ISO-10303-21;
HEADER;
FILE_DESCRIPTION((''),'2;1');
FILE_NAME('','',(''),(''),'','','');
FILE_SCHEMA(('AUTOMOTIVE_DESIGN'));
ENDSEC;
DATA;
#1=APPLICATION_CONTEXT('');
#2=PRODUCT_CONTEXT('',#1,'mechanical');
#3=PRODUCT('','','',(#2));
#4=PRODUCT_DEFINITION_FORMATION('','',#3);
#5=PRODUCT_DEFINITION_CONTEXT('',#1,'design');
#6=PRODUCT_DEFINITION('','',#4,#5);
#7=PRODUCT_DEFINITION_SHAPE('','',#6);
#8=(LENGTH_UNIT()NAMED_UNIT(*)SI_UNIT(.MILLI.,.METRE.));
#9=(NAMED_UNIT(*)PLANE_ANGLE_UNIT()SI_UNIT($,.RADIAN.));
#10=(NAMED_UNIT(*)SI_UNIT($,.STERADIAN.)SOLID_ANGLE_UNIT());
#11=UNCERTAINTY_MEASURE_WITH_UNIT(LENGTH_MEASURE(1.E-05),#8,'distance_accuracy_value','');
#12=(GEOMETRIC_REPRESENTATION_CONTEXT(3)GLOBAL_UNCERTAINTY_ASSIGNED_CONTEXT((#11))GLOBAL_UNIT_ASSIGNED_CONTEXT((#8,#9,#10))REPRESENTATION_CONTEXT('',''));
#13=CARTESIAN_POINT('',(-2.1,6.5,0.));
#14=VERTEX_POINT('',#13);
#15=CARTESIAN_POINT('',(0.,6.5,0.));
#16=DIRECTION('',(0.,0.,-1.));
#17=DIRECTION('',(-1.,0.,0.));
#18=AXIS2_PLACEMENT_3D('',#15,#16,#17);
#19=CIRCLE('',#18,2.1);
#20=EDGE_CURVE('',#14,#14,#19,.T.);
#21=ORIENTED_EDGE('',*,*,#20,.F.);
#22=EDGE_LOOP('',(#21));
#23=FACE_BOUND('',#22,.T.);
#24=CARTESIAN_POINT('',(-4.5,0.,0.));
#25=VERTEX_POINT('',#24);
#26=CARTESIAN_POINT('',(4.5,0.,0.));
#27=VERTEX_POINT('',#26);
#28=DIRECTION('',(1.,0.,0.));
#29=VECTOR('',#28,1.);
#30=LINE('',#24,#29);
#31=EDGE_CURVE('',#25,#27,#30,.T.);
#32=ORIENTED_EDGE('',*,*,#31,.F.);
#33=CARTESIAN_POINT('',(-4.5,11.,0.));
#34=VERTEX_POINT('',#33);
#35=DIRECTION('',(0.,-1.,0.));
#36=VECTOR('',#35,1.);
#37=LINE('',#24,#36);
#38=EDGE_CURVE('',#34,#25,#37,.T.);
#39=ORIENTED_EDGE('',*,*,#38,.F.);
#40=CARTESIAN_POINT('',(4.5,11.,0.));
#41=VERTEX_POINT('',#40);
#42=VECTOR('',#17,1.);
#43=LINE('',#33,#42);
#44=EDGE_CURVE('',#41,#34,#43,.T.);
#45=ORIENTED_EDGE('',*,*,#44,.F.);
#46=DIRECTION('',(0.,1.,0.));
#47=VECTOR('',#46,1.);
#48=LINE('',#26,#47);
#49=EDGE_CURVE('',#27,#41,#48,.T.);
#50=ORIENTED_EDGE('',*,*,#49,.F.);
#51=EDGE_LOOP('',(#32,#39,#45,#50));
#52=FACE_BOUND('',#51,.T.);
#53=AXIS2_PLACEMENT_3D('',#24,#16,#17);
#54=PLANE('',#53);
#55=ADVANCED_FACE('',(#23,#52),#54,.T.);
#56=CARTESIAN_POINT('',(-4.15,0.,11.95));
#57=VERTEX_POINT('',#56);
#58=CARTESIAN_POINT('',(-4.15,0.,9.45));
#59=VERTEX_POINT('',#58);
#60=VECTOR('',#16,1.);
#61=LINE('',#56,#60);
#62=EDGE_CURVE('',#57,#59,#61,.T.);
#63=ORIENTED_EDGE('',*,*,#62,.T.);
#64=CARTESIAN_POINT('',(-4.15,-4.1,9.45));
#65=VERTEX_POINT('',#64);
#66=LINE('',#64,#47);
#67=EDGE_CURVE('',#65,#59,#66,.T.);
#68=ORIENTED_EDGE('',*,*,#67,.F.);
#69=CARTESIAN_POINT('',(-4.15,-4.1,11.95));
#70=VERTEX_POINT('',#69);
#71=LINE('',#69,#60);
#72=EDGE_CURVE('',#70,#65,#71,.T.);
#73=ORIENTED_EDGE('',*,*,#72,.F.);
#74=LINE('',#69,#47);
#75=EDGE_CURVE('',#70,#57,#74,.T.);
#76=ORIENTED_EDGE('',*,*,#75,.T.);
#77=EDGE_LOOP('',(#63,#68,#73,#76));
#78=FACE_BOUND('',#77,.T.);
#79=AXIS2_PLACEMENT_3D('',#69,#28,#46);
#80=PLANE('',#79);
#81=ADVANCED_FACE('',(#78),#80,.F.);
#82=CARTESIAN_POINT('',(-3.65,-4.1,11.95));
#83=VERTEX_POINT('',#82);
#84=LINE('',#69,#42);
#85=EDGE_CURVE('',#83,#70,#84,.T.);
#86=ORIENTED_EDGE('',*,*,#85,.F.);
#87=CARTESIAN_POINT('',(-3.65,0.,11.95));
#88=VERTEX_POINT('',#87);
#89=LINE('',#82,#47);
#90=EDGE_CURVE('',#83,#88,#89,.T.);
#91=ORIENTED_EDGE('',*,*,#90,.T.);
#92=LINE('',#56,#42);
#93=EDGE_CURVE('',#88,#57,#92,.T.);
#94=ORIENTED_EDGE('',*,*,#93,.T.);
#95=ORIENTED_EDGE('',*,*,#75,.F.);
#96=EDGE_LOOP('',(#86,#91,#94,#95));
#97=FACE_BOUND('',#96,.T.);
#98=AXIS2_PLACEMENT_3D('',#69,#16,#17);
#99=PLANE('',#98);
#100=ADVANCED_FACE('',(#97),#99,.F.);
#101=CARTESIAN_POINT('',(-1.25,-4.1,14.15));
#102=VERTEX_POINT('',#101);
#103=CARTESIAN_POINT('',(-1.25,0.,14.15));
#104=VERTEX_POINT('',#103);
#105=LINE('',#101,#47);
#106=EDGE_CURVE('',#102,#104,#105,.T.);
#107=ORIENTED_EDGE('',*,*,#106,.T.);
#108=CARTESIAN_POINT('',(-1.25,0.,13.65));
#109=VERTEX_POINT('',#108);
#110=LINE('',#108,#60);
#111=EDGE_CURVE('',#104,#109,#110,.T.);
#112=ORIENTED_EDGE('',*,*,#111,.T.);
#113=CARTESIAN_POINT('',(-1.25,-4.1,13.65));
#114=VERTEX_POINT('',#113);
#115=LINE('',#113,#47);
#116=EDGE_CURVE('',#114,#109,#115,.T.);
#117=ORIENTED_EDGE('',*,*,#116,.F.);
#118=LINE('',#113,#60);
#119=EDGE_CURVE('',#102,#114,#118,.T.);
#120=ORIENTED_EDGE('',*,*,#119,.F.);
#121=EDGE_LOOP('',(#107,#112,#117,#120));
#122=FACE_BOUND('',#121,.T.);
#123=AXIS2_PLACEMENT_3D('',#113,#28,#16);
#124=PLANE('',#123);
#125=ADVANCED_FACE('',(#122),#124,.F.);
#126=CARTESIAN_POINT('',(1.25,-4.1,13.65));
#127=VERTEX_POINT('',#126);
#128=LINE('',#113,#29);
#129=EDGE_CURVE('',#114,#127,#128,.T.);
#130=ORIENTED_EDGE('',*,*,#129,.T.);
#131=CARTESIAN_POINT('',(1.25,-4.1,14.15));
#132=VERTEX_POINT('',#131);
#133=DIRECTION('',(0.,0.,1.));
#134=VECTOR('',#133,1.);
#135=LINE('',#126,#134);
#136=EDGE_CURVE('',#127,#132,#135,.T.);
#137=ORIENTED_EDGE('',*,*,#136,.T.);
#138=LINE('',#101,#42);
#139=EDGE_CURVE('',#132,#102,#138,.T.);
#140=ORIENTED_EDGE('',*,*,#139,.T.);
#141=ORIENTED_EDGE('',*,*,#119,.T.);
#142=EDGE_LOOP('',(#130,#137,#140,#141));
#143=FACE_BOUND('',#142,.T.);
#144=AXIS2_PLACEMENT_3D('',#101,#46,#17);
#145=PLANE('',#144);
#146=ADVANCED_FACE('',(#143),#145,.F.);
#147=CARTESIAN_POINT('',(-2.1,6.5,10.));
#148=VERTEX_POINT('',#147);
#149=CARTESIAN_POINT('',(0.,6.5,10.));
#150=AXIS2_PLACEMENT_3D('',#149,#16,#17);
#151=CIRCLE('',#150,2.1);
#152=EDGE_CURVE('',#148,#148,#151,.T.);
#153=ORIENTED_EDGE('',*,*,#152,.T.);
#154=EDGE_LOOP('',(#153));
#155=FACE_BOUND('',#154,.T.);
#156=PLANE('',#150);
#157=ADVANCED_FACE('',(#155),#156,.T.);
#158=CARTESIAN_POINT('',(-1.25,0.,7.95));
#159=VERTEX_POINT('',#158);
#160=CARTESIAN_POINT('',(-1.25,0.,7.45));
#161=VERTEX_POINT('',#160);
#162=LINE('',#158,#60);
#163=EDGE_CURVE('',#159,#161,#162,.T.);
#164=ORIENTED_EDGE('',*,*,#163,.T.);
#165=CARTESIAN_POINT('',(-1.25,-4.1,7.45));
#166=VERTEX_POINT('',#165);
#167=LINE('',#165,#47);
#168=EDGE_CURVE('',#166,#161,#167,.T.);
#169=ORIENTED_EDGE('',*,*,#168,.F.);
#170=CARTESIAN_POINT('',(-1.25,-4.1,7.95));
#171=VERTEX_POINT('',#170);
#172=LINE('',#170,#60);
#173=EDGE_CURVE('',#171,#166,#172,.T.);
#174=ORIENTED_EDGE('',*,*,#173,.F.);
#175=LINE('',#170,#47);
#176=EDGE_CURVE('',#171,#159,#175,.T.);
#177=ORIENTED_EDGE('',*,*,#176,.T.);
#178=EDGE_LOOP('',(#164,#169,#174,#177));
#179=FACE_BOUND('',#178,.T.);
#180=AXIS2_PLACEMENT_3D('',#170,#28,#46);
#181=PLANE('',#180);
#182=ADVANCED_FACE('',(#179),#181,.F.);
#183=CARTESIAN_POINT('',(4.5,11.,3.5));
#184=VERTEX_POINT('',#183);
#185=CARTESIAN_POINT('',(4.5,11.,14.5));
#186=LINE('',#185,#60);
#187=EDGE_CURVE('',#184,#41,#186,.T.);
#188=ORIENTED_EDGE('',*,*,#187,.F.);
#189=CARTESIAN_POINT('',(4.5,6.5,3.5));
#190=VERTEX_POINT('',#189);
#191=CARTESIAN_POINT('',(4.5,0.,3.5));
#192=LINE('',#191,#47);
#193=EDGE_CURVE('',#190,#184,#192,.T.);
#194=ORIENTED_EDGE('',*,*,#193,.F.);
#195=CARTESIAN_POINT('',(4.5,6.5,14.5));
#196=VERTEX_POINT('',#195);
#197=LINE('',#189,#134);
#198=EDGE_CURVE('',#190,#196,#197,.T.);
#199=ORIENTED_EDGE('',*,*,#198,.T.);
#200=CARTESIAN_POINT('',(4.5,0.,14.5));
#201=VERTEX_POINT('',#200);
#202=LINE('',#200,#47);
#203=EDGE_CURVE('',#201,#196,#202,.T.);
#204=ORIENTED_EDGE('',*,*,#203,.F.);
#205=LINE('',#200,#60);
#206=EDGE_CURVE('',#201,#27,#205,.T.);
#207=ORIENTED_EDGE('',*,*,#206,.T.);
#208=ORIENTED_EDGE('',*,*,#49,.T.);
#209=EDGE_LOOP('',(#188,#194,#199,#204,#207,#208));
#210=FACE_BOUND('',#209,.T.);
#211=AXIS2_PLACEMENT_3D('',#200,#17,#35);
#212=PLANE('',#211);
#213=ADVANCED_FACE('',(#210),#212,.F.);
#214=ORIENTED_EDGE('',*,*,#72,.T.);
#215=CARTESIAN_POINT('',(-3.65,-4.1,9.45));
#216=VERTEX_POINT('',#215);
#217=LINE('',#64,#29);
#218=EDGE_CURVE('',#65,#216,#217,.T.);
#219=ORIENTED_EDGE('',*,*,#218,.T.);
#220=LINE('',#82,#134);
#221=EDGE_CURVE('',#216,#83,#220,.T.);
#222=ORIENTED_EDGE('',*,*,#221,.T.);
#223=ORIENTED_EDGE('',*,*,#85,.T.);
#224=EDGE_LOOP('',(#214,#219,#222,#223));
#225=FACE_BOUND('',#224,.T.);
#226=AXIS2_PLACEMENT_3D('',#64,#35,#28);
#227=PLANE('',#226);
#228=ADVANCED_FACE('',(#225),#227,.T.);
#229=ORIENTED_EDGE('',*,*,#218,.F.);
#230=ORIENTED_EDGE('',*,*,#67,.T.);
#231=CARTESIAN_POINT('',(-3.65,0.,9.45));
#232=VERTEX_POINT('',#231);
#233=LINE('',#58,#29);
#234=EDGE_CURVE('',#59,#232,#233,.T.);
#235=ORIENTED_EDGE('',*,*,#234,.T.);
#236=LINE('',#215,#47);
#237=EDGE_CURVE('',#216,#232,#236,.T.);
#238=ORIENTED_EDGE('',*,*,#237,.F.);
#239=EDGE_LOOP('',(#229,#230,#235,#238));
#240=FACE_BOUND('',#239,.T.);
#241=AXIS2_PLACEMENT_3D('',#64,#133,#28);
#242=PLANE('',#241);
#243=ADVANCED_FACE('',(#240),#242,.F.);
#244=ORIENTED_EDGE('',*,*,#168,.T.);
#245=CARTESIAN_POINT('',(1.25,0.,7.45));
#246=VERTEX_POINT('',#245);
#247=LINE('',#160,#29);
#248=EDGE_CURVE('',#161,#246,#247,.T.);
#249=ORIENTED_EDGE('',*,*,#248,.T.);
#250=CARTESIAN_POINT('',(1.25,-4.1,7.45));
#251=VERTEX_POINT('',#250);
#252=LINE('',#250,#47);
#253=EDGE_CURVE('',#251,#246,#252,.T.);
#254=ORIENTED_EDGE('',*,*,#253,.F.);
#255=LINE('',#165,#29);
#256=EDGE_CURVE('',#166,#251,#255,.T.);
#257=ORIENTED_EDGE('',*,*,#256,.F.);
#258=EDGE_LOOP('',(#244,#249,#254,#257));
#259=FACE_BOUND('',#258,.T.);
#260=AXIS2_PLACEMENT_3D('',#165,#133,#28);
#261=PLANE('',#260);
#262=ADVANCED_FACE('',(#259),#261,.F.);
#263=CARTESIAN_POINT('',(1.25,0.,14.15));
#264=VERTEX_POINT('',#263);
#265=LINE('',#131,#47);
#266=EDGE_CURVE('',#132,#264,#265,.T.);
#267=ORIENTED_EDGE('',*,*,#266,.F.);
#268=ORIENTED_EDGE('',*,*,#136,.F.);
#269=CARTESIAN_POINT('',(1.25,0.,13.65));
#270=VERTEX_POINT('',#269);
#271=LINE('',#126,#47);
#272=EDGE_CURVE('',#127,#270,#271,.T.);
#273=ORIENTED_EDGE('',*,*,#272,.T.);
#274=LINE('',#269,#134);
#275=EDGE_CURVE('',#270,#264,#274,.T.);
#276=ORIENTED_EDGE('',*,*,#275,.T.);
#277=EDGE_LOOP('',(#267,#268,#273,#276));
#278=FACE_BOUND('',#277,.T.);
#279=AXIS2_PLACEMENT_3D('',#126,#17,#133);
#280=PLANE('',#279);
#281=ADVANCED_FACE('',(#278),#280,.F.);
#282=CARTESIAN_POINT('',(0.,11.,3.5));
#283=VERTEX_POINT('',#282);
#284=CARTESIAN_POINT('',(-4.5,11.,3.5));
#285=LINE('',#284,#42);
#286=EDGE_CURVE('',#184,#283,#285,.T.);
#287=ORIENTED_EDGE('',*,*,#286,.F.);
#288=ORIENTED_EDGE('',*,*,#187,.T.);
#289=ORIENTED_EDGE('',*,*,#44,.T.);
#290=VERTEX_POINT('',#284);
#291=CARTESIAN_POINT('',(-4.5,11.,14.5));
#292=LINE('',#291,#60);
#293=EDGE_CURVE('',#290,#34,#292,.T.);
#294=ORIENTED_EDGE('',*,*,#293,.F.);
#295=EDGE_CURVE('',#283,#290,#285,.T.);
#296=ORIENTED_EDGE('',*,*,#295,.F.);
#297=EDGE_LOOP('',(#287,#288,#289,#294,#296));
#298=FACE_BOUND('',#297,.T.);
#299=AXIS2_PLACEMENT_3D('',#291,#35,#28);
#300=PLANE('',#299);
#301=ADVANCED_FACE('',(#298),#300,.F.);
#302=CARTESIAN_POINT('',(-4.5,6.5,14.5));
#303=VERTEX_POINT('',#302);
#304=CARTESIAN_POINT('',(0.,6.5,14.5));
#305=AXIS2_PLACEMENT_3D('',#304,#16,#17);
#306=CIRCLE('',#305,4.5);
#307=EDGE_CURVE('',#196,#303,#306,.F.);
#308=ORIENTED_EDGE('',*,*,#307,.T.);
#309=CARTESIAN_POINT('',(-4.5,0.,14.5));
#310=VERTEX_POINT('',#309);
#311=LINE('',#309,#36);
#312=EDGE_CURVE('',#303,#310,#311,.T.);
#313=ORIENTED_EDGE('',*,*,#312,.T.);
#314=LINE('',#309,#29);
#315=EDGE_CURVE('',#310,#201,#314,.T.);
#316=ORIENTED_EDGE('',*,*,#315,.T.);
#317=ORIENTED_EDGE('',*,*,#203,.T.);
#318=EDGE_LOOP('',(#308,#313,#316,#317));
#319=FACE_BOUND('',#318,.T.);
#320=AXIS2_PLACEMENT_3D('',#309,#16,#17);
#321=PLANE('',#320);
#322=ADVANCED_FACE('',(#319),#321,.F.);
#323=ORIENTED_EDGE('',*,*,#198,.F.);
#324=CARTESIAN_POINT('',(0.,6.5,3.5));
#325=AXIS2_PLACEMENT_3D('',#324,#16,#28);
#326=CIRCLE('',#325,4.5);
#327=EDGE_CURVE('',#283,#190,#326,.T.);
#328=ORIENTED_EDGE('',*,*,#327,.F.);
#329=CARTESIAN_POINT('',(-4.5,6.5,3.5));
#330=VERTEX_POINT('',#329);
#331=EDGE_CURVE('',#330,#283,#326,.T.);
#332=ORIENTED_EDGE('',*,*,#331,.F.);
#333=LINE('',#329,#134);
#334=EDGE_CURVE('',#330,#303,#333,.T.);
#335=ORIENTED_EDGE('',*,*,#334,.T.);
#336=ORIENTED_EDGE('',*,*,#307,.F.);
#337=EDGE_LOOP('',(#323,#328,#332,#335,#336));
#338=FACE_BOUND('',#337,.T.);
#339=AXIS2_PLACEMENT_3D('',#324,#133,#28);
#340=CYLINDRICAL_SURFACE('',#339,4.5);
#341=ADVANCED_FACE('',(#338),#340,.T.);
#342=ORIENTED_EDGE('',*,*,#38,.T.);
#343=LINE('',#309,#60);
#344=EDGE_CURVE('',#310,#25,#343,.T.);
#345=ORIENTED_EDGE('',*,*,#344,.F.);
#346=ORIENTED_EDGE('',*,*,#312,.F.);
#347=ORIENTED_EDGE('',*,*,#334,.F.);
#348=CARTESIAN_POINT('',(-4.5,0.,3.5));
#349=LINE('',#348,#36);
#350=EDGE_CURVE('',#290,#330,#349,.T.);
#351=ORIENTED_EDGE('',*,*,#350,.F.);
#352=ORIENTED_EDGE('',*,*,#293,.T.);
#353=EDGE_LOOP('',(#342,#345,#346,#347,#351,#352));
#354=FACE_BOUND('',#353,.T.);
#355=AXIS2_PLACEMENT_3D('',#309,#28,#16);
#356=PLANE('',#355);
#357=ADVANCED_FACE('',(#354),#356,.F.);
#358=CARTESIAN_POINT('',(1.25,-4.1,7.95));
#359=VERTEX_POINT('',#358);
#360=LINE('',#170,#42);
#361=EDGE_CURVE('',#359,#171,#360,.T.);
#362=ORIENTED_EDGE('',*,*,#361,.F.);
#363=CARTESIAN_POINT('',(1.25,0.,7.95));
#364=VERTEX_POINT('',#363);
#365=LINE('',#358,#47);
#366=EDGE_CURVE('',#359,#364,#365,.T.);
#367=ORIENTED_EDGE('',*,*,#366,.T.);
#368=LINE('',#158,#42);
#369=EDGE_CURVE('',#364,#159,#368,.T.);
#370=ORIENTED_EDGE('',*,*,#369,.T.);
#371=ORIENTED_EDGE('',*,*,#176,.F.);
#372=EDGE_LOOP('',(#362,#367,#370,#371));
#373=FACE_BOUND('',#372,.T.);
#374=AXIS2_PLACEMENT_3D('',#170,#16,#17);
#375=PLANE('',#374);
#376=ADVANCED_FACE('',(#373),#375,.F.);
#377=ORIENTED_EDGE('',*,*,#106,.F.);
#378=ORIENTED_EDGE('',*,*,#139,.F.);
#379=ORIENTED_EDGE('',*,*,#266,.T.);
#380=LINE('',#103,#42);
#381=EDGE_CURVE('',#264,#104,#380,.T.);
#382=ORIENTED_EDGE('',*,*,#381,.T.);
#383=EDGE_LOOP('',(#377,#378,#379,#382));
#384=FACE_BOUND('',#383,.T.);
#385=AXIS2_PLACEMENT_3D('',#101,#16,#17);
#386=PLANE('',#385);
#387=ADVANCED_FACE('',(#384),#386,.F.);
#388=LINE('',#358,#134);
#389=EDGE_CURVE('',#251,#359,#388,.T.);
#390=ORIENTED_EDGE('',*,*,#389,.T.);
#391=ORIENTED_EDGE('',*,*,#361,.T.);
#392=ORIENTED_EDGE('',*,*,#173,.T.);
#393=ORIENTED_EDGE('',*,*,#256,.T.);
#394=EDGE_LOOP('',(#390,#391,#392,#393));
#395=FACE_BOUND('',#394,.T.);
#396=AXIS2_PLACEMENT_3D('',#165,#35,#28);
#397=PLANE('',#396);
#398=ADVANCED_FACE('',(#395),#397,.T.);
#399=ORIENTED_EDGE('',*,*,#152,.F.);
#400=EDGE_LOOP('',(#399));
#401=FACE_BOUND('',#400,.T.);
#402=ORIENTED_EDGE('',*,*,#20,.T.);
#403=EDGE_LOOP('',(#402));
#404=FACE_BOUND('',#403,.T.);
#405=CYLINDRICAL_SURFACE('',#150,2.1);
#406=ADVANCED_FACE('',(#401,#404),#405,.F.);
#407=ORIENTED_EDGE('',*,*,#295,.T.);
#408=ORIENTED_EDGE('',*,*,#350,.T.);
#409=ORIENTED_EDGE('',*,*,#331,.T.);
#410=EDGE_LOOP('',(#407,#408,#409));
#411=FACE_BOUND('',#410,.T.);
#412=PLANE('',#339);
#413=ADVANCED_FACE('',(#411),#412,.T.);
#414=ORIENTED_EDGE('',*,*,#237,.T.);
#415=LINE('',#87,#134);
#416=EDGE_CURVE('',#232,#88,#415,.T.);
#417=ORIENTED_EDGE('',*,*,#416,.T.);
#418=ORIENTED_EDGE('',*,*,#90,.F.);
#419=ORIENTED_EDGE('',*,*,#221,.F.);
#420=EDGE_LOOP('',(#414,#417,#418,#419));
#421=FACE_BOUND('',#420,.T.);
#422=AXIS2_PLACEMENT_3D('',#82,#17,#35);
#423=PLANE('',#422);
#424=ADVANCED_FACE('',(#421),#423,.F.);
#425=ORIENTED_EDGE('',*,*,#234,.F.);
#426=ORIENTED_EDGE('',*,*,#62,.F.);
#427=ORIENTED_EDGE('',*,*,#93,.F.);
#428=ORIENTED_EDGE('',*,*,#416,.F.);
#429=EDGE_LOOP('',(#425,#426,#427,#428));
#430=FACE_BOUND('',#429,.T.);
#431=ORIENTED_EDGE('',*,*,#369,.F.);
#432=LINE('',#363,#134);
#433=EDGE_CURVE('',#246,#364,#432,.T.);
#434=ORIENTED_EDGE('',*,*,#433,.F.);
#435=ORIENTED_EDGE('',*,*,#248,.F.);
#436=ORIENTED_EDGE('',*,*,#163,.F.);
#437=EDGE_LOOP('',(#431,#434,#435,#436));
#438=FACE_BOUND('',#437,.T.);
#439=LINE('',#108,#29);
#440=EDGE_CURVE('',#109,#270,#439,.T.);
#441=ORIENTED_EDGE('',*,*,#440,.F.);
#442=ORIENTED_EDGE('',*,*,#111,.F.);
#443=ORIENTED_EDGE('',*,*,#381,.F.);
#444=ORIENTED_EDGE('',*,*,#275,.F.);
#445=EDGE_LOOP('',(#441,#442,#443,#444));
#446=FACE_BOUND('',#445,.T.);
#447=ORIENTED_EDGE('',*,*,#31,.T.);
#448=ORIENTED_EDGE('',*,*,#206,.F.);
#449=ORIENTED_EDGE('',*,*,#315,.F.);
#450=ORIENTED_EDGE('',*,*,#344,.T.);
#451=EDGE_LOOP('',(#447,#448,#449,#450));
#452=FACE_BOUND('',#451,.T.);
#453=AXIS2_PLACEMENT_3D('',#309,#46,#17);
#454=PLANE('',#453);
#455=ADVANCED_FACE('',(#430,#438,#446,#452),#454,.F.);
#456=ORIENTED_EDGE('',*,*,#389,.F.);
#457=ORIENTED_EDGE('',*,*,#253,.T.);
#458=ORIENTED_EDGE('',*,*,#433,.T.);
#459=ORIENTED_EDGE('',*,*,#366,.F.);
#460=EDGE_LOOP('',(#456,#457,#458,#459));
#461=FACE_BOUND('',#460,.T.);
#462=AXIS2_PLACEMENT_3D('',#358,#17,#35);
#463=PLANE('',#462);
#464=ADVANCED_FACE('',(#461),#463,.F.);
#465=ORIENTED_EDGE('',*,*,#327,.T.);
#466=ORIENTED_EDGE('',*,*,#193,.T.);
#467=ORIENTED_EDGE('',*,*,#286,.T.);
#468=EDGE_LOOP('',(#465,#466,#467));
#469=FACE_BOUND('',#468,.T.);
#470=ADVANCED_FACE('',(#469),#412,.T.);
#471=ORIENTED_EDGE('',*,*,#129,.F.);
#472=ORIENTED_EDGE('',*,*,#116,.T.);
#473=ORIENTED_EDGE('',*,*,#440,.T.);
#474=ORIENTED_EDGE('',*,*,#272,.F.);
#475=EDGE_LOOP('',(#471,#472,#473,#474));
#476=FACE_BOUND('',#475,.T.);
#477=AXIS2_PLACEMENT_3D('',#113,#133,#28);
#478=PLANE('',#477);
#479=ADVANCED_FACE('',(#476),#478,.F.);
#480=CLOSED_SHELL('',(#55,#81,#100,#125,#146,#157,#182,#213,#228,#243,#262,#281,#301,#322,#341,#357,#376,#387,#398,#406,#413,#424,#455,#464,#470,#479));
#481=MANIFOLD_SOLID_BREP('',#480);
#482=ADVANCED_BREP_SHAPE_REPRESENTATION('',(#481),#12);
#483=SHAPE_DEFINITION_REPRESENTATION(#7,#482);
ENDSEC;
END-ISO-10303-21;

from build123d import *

# Parameters (mm, degrees)
SKETCH1_W          = 9
SKETCH1_H          = 11
EXTRUDE1_DEPTH     = 14.5
SKETCH2_W          = 2.5
SKETCH2_H          = 0.5
SKETCH2_W_2        = 0.5
SKETCH2_H_2        = 2.5
EXTRUDE2_DEPTH     = 4.1
CUT_EXTRUDE1_DEPTH = 11
SKETCH4_R          = 2.1
CUT_EXTRUDE2_DEPTH = 10


with BuildPart() as part:
    # Sketch1 → Extrude1 (new body)
    with BuildSketch(Plane.XY):
        with Locations((0, 5.5)):
            Rectangle(SKETCH1_W, SKETCH1_H)
    extrude(amount=EXTRUDE1_DEPTH)

    # Sketch2 → Extrude2 (add)
    with BuildSketch(Plane.XZ):
        with Locations((0, 13.9)):
            Rectangle(SKETCH2_W, SKETCH2_H)
        with Locations((0, 7.7)):
            Rectangle(SKETCH2_W, SKETCH2_H)
        with Locations((-3.9, 10.7)):
            Rectangle(SKETCH2_W_2, SKETCH2_H_2)
    extrude(amount=EXTRUDE2_DEPTH)

    # Sketch3 → Cut-Extrude1 (cut)
    with BuildSketch(Plane.XY.offset(14.5)):
        with BuildLine():
            Line((4.5, 6.5), (5.915924782, 6.5))
            Line((5.915924782, 6.5), (5.915924782, 12.170720509))
            Line((5.915924782, 12.170720509), (-5.281401608, 12.170720509))
            Line((-5.281401608, 12.170720509), (-5.281401608, 6.5))
            Line((-5.281401608, 6.5), (-4.5, 6.5))
            ThreePointArc((-4.5, 6.5), (0, 11), (4.5, 6.5))
        make_face()
    extrude(amount=-CUT_EXTRUDE1_DEPTH, mode=Mode.SUBTRACT)

    # Sketch4 → Cut-Extrude2 (cut)
    with BuildSketch(Plane(origin=(0, 0, 0), x_dir=(-1, 0, 0), z_dir=(0, 0, -1))):
        with Locations((0, 6.5)):
            Circle(SKETCH4_R)
    extrude(amount=-CUT_EXTRUDE2_DEPTH, mode=Mode.SUBTRACT)


solid = part.part
